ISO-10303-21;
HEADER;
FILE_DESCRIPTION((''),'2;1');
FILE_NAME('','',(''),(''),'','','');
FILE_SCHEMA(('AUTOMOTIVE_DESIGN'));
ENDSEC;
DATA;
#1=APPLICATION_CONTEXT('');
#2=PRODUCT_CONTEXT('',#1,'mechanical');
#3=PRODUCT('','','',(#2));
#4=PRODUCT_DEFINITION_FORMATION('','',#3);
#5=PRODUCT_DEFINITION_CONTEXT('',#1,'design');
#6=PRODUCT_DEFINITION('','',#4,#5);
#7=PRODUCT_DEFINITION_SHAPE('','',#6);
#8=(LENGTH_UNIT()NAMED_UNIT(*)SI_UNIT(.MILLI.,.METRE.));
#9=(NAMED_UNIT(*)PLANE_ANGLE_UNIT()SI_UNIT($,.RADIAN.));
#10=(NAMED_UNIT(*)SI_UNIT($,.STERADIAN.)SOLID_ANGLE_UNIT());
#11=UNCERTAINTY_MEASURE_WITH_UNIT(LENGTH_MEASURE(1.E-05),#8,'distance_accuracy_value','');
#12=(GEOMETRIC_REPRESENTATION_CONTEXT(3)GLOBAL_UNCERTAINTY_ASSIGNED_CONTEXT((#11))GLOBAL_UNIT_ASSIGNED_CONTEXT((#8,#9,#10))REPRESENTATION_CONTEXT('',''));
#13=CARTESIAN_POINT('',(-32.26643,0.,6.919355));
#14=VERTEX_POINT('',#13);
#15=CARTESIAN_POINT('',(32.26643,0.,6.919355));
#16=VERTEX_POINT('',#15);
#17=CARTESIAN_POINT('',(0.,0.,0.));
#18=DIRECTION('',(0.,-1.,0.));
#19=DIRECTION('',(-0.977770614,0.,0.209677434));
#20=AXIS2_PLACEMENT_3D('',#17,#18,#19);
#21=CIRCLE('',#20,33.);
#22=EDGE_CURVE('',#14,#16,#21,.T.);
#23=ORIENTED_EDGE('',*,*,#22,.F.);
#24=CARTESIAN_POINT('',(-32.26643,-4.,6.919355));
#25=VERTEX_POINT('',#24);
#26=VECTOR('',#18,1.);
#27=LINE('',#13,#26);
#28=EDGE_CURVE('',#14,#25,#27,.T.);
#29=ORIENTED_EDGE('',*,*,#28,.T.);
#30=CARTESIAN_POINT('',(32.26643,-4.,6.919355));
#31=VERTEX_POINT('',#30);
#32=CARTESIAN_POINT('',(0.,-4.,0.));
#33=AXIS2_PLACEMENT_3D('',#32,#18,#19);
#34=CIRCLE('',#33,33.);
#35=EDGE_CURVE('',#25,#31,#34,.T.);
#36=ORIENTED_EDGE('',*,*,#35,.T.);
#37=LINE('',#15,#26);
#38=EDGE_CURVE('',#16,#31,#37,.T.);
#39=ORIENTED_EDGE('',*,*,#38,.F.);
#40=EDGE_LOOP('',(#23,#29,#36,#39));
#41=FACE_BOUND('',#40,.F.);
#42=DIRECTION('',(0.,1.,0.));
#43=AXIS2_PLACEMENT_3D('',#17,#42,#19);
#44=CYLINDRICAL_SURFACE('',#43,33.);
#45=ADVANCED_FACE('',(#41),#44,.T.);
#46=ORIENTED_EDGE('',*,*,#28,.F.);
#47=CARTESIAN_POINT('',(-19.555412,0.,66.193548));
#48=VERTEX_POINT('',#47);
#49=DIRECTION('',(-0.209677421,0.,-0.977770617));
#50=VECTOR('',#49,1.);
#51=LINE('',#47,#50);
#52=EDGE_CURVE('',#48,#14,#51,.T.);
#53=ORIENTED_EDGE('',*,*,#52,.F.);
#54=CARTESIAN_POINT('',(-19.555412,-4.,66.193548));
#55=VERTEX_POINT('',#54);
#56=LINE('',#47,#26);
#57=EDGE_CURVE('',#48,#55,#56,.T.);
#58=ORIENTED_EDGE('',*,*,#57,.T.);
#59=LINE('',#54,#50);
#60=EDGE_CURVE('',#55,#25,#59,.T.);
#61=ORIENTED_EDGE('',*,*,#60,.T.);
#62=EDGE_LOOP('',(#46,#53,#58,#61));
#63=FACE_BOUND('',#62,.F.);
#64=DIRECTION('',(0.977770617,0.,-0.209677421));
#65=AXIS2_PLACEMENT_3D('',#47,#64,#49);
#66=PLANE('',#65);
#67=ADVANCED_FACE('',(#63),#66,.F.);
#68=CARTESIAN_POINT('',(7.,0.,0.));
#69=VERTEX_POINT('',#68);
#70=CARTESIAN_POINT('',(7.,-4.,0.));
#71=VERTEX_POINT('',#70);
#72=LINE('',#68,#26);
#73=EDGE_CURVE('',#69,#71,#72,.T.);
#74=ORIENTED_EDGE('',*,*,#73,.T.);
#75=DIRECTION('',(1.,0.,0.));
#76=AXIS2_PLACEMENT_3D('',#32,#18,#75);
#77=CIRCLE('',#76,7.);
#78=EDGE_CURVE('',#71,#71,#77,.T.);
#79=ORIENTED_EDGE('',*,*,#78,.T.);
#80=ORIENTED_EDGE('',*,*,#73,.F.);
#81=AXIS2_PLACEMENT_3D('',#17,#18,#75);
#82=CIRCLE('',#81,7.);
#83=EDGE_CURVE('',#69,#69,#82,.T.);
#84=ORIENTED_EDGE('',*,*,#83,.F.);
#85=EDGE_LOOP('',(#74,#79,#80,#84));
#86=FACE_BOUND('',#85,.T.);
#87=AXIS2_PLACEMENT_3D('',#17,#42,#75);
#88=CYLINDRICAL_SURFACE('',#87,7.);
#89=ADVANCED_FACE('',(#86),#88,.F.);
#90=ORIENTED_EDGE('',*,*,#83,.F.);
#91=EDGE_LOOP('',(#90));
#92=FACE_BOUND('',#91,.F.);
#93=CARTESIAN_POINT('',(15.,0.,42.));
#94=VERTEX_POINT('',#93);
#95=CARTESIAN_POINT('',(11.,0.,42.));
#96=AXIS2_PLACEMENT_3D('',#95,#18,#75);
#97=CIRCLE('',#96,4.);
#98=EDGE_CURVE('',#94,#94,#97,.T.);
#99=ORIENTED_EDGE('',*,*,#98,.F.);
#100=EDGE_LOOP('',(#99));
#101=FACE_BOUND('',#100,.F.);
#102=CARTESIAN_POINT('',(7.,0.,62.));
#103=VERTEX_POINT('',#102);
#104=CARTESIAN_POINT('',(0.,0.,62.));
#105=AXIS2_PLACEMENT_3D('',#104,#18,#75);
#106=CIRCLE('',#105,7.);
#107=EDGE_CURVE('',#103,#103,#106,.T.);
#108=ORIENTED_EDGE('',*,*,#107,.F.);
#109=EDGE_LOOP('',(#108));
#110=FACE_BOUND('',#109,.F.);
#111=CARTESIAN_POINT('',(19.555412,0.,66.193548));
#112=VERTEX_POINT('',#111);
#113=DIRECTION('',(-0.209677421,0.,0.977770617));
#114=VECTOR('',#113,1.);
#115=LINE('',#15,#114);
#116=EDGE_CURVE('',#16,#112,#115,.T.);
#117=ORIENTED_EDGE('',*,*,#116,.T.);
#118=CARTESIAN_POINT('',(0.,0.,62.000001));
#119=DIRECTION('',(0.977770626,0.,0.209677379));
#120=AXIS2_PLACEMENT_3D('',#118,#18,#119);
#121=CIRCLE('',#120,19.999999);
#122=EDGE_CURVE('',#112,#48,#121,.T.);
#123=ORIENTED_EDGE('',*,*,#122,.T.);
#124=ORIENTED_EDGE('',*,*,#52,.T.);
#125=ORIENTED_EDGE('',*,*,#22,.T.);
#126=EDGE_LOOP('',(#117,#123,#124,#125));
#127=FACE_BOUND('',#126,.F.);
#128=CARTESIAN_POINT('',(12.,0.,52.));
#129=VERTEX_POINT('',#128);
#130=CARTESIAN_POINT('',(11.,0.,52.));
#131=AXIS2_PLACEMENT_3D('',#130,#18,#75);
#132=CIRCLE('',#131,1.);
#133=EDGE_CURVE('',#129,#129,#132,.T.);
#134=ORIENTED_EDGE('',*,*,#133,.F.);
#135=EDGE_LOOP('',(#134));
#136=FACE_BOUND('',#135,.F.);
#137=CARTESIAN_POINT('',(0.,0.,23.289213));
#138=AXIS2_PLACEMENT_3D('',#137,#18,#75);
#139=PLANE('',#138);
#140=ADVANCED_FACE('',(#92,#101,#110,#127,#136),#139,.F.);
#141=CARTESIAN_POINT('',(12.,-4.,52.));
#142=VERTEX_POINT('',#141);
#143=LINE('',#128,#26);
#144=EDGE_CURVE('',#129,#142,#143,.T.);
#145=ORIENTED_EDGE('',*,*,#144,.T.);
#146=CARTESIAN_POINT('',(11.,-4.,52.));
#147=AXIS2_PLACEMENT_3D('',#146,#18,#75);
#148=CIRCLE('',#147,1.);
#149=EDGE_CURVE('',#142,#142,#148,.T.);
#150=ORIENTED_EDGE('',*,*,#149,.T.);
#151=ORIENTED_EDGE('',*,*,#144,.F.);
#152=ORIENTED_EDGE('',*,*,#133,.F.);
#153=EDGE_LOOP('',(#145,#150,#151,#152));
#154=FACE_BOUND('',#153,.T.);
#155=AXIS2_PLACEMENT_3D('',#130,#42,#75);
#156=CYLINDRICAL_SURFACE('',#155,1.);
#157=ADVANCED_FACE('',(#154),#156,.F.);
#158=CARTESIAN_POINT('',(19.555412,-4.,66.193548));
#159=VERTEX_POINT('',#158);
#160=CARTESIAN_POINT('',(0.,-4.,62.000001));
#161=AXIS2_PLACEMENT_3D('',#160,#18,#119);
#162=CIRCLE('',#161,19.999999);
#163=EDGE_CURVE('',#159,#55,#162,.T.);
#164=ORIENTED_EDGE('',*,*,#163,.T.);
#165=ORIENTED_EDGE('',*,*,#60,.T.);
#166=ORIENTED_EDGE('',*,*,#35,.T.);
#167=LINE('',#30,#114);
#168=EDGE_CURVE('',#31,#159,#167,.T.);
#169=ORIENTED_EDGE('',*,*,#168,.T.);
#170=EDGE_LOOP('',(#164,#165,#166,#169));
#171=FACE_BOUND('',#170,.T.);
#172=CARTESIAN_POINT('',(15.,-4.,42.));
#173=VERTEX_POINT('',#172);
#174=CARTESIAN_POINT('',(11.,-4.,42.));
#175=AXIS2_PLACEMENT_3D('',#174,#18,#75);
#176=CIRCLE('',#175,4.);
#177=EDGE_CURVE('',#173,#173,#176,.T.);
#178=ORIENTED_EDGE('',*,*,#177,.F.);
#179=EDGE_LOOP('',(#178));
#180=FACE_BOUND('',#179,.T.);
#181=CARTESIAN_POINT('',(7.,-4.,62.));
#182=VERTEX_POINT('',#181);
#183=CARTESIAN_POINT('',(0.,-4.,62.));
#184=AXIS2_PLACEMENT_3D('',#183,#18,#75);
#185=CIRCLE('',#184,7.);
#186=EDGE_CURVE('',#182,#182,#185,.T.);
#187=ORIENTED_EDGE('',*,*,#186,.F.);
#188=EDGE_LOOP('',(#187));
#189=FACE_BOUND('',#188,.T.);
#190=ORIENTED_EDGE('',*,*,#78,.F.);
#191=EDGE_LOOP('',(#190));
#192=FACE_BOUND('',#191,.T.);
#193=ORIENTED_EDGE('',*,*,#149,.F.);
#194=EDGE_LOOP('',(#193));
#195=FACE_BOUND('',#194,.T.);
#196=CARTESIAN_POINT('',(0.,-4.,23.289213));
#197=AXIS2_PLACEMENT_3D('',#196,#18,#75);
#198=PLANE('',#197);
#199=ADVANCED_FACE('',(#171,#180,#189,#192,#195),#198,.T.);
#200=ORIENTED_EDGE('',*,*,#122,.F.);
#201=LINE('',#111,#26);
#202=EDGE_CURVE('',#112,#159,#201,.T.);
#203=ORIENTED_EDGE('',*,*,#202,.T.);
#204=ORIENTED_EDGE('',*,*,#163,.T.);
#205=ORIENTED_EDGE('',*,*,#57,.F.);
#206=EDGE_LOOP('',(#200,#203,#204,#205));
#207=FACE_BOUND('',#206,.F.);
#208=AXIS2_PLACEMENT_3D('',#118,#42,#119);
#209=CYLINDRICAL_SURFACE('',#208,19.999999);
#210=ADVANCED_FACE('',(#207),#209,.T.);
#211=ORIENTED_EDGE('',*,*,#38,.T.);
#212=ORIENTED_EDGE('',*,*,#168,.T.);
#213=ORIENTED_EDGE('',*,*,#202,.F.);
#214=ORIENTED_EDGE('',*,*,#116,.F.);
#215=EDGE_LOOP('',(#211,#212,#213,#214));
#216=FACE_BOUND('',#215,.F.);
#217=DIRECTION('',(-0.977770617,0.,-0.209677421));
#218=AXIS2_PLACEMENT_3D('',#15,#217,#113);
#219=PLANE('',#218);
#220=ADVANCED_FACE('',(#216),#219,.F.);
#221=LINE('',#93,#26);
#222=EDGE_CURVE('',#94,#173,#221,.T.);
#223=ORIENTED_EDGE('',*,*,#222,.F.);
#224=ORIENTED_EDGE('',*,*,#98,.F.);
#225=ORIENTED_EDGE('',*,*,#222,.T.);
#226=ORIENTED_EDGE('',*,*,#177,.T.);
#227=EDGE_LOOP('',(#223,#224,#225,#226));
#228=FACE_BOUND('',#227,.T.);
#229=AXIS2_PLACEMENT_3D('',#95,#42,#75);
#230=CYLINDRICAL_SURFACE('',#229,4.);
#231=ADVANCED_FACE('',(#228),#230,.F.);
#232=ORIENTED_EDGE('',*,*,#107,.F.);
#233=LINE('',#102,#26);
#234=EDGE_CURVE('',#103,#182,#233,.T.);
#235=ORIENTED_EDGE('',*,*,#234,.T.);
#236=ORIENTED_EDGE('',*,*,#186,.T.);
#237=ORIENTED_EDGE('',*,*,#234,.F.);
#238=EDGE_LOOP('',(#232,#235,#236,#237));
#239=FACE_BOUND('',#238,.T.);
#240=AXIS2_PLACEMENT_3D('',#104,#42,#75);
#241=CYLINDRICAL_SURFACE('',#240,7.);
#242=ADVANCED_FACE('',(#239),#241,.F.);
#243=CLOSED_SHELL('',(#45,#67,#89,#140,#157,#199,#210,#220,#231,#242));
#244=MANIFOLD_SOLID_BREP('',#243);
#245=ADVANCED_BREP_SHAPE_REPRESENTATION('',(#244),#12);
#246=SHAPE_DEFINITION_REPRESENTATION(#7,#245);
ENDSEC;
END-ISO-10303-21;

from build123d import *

# Parameters (mm, degrees)
F0_R     = 7
F0_R_2   = 4
F0_R_3   = 1
F1_DEPTH = 4


with BuildPart() as f1:
    # F0 (on Front) → F1 (new body)
    with BuildSketch(Plane.XZ):
        with BuildLine():
            ThreePointArc((19.555412, 66.193548), (0, 82), (-19.555412, 66.193548))
            Line((-19.555412, 66.193548), (-32.26643, 6.919355))
            ThreePointArc((-32.26643, 6.919355), (0, -33), (32.26643, 6.919355))
            Line((32.26643, 6.919355), (19.555412, 66.193548))
        make_face()
        Circle(F0_R, mode=Mode.SUBTRACT)
        with Locations((11, 42)):
            Circle(F0_R_2, mode=Mode.SUBTRACT)
        with Locations((11, 52)):
            Circle(F0_R_3, mode=Mode.SUBTRACT)
        with Locations((0, 62)):
            Circle(F0_R, mode=Mode.SUBTRACT)
    extrude(amount=F1_DEPTH)


solid = f1.part
